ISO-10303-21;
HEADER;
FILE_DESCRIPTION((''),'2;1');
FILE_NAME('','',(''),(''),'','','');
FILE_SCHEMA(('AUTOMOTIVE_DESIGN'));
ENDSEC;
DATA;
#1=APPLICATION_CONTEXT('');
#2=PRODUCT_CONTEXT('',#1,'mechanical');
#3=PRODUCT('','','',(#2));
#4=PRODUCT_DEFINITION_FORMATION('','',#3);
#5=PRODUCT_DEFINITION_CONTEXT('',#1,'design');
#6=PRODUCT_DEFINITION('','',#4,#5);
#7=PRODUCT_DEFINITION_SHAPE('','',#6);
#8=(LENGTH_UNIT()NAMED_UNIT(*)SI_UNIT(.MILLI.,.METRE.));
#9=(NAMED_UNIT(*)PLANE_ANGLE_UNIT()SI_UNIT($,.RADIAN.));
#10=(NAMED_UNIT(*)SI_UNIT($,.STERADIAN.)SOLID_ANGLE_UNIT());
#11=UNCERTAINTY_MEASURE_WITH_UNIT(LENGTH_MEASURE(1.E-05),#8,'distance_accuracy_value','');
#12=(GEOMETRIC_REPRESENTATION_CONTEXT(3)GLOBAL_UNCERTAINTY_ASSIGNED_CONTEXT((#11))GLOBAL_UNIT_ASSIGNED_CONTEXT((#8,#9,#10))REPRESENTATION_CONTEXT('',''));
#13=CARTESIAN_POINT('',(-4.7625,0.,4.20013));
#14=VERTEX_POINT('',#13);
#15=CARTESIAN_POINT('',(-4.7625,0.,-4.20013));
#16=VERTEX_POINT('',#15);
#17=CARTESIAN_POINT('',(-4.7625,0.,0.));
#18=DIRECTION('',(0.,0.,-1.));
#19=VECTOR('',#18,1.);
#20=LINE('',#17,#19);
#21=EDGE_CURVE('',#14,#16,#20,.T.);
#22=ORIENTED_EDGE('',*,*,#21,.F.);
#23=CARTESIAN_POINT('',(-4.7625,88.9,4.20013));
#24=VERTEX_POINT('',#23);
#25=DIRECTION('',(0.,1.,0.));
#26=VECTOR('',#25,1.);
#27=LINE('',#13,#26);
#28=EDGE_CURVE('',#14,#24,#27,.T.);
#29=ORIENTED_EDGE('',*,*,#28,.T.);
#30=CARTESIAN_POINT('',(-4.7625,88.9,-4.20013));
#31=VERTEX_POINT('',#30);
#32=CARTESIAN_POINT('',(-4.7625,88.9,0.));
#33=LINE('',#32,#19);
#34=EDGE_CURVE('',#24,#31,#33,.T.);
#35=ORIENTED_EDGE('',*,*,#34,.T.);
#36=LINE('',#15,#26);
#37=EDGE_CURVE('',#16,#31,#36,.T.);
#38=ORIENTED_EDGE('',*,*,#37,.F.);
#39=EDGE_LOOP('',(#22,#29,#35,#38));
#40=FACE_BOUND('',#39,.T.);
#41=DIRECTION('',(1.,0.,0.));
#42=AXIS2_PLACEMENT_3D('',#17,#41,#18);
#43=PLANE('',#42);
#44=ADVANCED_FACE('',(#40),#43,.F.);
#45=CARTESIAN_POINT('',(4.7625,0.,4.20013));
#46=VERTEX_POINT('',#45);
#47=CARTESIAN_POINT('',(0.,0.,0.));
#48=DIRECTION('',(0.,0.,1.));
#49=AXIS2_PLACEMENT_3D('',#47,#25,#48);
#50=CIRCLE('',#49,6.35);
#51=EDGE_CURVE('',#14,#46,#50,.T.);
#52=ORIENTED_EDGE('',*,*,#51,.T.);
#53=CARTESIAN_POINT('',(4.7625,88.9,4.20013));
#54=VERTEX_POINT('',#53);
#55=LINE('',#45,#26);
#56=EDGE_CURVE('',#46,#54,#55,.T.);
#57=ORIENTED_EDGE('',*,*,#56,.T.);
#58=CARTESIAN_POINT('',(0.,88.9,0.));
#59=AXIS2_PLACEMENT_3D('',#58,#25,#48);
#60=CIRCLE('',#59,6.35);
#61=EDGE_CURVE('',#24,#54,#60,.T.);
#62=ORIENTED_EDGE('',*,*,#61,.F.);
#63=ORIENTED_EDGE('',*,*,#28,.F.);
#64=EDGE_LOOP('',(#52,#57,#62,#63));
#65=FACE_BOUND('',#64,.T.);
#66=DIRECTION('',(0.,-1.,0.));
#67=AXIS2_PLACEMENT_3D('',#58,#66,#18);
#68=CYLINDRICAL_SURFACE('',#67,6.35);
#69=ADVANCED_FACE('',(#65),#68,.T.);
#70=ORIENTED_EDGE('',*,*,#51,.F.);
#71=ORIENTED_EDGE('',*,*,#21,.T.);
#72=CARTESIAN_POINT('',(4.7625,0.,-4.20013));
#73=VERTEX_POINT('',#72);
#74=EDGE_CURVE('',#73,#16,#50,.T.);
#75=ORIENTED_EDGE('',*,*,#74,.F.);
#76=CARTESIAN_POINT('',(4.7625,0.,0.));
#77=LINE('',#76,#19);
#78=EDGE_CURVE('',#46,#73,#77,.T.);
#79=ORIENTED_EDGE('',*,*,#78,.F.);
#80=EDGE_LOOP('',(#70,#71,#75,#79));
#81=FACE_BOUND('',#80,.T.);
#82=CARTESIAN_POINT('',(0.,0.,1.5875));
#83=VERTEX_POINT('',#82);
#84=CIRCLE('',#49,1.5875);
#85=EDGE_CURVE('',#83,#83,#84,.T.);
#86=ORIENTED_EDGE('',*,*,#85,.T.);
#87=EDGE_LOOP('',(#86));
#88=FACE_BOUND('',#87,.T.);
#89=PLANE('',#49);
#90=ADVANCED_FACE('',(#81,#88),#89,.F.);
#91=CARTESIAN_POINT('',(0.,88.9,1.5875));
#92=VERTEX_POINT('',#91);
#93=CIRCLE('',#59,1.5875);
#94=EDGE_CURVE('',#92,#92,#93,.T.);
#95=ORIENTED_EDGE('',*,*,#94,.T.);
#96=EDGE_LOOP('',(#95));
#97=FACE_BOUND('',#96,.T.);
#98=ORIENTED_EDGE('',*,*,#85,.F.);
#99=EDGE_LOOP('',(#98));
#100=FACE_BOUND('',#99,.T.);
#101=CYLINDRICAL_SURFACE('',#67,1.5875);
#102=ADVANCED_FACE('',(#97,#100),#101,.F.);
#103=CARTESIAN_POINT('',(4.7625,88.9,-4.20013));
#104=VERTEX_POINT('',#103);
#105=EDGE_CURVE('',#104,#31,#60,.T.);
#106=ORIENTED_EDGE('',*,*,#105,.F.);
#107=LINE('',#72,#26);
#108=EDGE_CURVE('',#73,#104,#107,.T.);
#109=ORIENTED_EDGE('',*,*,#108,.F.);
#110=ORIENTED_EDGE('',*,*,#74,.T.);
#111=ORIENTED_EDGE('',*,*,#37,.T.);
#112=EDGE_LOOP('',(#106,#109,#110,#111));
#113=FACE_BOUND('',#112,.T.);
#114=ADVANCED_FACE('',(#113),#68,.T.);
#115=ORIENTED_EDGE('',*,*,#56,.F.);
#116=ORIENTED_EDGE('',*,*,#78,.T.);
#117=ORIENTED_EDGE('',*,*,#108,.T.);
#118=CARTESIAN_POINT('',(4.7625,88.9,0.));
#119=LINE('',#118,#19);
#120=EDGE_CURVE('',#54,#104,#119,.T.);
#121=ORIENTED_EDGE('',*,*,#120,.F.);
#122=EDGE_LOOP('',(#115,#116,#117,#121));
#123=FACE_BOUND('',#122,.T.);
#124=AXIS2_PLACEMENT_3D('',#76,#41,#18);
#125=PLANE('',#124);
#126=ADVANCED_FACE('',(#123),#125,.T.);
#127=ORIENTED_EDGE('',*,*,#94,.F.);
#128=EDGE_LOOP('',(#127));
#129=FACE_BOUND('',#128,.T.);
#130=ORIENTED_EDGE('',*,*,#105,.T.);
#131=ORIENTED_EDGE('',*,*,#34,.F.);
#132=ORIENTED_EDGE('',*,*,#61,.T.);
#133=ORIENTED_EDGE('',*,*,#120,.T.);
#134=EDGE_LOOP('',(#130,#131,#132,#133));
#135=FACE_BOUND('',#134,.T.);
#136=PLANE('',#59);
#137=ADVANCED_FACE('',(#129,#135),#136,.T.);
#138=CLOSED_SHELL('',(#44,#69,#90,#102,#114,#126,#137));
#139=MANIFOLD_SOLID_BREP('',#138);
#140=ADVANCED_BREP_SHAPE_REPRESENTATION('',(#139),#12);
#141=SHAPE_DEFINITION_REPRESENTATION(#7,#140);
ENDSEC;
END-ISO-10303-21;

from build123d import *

# Parameters (mm, degrees)
SKETCH1_R           = 6.35
SKETCH1_R_2         = 1.5875
BOSS_EXTRUDE1_DEPTH = 88.9
CUT_EXTRUDE1_DEPTH  = 89.9


with BuildPart() as part:
    # Sketch1 → Boss-Extrude1 (new body)
    with BuildSketch(Plane(origin=(0, 0, 0), x_dir=(1, 0, 0), z_dir=(0, 1, 0))):
        Circle(SKETCH1_R)
        Circle(SKETCH1_R_2, mode=Mode.SUBTRACT)
    extrude(amount=BOSS_EXTRUDE1_DEPTH)

    # Sketch2 → Cut-Extrude1 (cut, through all)
    with BuildSketch(Plane(origin=(0, 88.9, 0), x_dir=(1, 0, 0), z_dir=(0, 1, 0))):
        with BuildLine():
            ThreePointArc((-4.7625, 4.200130206), (-6.35, 0), (-4.7625, -4.200130206))
            Line((-4.7625, -4.200130206), (-4.7625, 4.200130206))
        make_face()
        with BuildLine():
            Line((4.7625, 4.200130206), (4.7625, -4.200130206))
            ThreePointArc((4.7625, -4.200130206), (5.939881102, -2.24506403), (6.35, 0))
            ThreePointArc((6.35, 0), (5.939881102, 2.24506403), (4.7625, 4.200130206))
        make_face()
    extrude(amount=-CUT_EXTRUDE1_DEPTH, mode=Mode.SUBTRACT)


solid = part.part
